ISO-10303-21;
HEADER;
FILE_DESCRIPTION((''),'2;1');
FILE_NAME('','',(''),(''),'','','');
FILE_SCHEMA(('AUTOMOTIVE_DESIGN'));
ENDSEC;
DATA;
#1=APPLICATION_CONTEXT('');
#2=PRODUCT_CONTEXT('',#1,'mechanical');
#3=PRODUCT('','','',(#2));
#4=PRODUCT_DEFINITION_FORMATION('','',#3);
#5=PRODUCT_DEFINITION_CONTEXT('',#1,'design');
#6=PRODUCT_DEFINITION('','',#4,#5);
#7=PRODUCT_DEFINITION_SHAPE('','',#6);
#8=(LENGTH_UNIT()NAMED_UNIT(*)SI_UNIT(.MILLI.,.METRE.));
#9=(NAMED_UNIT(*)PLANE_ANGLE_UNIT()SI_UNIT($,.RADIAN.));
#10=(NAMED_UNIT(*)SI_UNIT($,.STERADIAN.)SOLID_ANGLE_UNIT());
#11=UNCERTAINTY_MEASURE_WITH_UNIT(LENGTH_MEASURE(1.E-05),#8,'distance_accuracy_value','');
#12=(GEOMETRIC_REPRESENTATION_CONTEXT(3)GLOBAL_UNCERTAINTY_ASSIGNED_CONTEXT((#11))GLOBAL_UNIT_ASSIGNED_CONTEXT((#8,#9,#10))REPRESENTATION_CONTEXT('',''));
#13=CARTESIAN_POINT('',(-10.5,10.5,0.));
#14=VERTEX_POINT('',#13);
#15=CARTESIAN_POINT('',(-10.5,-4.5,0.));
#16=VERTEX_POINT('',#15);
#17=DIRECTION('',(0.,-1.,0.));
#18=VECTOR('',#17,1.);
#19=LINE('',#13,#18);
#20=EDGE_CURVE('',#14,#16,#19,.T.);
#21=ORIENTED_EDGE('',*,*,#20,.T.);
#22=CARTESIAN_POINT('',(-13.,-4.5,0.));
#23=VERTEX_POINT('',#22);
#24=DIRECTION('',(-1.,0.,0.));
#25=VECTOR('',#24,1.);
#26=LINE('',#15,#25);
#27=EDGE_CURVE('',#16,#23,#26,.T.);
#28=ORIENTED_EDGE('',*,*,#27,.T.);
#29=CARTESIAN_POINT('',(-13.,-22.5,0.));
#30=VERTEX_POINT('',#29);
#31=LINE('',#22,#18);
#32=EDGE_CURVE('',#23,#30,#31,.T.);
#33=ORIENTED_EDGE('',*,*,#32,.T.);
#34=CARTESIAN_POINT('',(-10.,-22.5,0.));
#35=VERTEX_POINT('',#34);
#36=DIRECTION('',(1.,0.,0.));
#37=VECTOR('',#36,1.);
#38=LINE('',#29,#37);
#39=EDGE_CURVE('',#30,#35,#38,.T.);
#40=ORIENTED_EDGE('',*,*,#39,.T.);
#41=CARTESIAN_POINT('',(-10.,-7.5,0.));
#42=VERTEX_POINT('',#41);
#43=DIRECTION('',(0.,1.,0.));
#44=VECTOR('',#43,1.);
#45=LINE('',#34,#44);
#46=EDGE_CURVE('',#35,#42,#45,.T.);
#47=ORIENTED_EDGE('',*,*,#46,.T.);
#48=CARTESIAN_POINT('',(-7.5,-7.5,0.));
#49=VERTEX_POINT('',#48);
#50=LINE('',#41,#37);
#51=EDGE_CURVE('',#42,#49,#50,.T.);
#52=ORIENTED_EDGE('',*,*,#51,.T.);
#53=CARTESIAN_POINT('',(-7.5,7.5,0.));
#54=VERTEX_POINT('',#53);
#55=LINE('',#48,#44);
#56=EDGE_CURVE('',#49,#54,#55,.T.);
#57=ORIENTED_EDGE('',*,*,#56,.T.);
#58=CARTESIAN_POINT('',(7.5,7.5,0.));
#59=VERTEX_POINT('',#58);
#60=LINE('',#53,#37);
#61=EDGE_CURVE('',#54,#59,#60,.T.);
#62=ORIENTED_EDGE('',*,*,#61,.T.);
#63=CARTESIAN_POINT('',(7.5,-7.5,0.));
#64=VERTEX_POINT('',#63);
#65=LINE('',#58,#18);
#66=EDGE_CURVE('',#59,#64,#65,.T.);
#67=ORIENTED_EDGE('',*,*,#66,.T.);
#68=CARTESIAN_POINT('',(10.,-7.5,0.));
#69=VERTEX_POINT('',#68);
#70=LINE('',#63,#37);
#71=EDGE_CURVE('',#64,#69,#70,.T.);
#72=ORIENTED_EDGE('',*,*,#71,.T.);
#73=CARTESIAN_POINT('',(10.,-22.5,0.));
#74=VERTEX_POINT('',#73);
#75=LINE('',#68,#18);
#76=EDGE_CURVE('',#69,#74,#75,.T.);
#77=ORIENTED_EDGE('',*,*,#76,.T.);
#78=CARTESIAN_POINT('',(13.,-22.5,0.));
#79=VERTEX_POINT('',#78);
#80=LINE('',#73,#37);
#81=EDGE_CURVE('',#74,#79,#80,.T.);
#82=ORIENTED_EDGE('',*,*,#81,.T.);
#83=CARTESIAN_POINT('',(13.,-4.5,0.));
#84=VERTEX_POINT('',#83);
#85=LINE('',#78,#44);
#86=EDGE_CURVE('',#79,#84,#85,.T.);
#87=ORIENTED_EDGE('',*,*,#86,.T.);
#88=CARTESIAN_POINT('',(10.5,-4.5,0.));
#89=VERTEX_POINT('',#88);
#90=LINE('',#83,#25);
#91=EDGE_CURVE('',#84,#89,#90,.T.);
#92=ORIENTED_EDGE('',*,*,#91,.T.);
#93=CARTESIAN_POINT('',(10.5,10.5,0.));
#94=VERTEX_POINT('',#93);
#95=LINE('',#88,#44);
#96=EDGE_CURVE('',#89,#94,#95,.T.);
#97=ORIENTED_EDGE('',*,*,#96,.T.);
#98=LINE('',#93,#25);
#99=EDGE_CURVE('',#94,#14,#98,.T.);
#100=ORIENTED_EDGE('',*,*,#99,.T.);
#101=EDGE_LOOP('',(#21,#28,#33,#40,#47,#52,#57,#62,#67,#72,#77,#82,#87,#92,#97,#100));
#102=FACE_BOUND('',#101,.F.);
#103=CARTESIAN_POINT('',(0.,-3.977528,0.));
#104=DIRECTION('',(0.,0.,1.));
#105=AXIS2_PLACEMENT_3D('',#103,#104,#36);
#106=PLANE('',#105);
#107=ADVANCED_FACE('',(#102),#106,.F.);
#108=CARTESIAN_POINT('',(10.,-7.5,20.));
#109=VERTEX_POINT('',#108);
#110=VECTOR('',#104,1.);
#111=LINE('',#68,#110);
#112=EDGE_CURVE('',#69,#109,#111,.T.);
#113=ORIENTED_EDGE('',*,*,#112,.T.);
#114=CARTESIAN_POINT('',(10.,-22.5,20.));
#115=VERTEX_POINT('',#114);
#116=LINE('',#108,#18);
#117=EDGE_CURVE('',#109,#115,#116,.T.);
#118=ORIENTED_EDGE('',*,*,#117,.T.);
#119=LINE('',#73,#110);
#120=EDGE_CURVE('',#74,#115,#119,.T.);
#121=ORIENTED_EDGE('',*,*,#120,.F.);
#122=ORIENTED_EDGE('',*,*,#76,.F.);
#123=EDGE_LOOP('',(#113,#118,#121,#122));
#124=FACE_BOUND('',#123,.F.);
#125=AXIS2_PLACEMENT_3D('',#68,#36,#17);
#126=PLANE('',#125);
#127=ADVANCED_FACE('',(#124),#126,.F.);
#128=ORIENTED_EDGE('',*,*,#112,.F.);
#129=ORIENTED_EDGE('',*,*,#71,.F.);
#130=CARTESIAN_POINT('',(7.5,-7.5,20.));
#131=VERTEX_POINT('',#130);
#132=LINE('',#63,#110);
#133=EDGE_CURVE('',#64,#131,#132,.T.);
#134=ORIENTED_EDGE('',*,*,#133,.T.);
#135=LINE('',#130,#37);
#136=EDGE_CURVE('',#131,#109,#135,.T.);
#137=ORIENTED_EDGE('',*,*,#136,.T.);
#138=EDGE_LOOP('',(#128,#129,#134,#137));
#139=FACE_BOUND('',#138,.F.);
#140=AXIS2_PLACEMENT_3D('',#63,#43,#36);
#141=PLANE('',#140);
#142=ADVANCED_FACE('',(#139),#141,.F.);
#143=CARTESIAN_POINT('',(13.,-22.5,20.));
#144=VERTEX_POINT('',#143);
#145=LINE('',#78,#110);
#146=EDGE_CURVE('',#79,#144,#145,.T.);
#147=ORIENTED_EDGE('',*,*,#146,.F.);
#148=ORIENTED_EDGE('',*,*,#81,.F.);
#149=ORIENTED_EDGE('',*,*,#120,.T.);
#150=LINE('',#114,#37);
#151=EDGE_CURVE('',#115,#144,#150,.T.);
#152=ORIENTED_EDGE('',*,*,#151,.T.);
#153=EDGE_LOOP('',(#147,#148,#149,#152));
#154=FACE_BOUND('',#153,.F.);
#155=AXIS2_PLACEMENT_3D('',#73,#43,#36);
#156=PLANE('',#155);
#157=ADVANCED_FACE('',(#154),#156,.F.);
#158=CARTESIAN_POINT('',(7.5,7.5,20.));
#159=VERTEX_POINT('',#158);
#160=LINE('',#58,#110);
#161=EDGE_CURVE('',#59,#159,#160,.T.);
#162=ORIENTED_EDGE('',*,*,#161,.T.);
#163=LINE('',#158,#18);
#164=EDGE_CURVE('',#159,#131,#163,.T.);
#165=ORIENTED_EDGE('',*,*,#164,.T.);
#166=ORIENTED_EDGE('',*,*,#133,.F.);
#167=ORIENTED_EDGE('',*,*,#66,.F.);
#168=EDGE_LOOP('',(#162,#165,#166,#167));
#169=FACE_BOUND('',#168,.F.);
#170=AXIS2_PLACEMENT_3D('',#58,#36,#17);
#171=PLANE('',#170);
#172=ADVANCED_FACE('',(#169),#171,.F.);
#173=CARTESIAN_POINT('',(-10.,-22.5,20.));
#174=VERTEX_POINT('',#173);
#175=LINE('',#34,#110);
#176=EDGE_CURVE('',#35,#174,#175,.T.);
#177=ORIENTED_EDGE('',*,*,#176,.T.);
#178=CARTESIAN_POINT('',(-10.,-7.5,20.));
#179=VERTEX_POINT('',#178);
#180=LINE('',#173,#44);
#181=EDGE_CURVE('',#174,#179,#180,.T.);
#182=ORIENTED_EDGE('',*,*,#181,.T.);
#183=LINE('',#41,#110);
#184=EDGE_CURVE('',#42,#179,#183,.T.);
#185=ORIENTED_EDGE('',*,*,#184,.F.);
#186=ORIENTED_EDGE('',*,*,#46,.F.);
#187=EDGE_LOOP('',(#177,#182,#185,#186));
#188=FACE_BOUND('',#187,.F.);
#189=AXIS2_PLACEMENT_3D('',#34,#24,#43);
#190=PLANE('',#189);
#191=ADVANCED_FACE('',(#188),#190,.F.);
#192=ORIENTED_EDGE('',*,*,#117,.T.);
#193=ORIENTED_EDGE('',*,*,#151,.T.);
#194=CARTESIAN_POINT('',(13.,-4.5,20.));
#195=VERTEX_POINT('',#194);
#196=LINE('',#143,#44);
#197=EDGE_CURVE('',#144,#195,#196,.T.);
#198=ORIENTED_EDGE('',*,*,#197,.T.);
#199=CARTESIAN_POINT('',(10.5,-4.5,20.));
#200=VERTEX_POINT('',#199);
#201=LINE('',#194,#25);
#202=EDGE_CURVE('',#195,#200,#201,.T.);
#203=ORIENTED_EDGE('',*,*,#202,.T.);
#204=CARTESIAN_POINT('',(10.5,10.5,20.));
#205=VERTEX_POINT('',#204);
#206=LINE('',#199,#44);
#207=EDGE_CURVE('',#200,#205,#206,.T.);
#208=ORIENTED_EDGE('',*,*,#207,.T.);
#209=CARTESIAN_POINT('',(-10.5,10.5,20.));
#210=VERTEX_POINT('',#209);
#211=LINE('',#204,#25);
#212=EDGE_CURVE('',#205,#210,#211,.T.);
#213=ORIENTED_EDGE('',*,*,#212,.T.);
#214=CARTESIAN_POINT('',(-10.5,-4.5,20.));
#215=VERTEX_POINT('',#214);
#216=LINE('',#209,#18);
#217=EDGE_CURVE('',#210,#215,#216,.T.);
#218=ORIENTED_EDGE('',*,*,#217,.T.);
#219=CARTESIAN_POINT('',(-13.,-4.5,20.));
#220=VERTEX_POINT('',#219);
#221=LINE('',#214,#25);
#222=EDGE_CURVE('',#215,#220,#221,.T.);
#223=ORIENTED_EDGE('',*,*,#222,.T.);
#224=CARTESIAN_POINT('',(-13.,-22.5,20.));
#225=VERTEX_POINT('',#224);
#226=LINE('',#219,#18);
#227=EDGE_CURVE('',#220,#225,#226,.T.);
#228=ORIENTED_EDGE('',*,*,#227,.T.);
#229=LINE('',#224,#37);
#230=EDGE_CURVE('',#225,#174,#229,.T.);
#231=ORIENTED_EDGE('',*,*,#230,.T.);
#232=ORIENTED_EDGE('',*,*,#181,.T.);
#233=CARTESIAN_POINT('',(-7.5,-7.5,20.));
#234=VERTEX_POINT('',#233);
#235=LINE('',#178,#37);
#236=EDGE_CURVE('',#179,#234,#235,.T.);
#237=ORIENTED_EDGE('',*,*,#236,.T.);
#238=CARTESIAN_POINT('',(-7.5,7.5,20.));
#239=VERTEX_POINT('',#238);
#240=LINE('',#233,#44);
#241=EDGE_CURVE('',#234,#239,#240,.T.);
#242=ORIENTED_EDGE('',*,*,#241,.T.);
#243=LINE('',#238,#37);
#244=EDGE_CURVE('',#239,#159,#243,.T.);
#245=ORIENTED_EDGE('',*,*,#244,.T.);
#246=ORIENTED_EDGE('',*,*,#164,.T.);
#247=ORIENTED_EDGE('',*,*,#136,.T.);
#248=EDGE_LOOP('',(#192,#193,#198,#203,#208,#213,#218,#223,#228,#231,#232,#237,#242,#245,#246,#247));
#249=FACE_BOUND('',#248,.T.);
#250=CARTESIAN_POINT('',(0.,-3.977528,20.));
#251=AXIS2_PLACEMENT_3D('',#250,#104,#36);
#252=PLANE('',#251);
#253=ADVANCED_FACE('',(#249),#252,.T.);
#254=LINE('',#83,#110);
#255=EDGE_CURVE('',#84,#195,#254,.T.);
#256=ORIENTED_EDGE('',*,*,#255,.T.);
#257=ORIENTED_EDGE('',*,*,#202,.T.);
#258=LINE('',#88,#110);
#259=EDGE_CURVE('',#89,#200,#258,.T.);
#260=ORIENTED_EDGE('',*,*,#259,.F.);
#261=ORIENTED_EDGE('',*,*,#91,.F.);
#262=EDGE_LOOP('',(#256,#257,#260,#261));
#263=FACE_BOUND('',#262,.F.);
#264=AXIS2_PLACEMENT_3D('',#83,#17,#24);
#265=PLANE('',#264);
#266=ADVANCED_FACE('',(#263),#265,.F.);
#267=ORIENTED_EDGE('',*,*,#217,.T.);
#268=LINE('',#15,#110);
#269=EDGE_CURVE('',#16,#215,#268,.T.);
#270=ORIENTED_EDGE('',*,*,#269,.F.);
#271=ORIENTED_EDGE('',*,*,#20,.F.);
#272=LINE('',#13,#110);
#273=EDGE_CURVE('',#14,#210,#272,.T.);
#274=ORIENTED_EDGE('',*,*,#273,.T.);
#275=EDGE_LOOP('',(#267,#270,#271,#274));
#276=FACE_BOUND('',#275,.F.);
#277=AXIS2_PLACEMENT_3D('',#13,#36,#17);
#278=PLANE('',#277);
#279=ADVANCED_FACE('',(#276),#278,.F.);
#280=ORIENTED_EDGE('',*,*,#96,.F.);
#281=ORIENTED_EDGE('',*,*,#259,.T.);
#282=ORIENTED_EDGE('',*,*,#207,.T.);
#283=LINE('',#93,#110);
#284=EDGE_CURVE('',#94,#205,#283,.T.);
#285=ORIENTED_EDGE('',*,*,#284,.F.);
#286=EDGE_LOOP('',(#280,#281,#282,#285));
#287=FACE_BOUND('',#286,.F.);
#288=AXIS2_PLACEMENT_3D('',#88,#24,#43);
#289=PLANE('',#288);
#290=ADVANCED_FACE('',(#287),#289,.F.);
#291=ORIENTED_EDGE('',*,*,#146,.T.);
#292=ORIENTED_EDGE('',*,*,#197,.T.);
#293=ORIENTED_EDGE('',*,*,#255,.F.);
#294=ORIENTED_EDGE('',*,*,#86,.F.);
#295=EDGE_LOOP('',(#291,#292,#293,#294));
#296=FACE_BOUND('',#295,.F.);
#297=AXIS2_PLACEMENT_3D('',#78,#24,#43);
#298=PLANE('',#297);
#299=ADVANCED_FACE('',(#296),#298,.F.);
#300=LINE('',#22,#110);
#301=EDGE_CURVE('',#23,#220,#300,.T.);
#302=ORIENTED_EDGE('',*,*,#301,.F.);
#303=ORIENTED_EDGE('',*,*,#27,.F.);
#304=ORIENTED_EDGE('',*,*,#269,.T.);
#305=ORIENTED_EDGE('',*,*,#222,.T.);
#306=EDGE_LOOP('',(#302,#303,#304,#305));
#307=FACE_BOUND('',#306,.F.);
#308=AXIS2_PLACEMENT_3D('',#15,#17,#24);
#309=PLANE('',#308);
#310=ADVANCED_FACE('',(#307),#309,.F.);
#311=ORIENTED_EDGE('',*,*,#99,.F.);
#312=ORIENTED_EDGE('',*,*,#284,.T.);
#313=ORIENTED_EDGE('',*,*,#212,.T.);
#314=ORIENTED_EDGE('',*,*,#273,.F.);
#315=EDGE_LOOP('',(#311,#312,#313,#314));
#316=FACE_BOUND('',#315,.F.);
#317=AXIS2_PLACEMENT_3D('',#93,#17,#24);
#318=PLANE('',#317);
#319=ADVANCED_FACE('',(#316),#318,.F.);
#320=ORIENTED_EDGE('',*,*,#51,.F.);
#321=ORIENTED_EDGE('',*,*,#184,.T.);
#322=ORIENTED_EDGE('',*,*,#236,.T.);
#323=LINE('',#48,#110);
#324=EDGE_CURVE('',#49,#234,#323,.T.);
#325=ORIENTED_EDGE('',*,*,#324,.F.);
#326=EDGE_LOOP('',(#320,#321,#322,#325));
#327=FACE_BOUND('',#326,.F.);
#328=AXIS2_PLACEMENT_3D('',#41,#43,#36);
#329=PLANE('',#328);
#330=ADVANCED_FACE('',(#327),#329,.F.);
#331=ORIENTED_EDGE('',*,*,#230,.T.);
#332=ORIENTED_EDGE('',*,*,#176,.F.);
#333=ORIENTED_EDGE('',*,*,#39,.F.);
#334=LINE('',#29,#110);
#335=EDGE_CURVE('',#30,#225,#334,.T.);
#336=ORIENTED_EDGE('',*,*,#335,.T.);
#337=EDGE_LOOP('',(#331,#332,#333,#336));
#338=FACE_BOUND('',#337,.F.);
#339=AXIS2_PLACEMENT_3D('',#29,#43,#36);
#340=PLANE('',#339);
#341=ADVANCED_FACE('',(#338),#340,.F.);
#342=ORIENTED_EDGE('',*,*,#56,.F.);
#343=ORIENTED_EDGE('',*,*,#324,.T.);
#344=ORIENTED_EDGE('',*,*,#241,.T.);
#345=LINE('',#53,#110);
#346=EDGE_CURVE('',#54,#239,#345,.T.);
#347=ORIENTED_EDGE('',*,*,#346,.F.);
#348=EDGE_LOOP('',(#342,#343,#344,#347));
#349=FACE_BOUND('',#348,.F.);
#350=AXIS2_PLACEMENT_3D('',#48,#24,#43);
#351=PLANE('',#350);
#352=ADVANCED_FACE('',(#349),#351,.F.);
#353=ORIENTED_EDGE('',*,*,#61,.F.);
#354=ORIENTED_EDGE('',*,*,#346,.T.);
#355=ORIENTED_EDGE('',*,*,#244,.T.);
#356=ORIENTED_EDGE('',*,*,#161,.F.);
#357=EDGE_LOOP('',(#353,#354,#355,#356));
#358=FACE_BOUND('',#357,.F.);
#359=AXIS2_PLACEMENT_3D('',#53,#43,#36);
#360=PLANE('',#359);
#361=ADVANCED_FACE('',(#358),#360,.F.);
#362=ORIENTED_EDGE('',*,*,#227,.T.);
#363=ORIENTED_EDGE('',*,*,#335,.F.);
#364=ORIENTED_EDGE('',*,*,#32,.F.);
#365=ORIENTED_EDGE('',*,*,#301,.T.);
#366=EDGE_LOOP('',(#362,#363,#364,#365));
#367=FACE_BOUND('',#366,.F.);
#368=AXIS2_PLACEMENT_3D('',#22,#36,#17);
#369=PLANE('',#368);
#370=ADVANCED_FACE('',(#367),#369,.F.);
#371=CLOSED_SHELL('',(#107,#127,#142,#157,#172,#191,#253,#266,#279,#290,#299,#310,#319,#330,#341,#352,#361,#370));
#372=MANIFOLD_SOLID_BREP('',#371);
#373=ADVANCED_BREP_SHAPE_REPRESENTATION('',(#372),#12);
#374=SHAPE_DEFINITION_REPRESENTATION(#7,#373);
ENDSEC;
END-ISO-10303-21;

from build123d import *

# Parameters (mm, degrees)
F1_DEPTH = 20


with BuildPart() as f1:
    # F0 (on Top) → F1 (new body)
    with BuildSketch(Plane.XY):
        Polygon((-7.5, -7.5), (-7.5, 7.5), (7.5, 7.5), (7.5, -7.5), (10, -7.5), (10, -22.5), (13, -22.5), (13, -4.5), (10.5, -4.5), (10.5, 10.5), (-10.5, 10.5), (-10.5, -4.5), (-13, -4.5), (-13, -22.5), (-10, -22.5), (-10, -7.5), align=None)
    extrude(amount=F1_DEPTH)


solid = f1.part
